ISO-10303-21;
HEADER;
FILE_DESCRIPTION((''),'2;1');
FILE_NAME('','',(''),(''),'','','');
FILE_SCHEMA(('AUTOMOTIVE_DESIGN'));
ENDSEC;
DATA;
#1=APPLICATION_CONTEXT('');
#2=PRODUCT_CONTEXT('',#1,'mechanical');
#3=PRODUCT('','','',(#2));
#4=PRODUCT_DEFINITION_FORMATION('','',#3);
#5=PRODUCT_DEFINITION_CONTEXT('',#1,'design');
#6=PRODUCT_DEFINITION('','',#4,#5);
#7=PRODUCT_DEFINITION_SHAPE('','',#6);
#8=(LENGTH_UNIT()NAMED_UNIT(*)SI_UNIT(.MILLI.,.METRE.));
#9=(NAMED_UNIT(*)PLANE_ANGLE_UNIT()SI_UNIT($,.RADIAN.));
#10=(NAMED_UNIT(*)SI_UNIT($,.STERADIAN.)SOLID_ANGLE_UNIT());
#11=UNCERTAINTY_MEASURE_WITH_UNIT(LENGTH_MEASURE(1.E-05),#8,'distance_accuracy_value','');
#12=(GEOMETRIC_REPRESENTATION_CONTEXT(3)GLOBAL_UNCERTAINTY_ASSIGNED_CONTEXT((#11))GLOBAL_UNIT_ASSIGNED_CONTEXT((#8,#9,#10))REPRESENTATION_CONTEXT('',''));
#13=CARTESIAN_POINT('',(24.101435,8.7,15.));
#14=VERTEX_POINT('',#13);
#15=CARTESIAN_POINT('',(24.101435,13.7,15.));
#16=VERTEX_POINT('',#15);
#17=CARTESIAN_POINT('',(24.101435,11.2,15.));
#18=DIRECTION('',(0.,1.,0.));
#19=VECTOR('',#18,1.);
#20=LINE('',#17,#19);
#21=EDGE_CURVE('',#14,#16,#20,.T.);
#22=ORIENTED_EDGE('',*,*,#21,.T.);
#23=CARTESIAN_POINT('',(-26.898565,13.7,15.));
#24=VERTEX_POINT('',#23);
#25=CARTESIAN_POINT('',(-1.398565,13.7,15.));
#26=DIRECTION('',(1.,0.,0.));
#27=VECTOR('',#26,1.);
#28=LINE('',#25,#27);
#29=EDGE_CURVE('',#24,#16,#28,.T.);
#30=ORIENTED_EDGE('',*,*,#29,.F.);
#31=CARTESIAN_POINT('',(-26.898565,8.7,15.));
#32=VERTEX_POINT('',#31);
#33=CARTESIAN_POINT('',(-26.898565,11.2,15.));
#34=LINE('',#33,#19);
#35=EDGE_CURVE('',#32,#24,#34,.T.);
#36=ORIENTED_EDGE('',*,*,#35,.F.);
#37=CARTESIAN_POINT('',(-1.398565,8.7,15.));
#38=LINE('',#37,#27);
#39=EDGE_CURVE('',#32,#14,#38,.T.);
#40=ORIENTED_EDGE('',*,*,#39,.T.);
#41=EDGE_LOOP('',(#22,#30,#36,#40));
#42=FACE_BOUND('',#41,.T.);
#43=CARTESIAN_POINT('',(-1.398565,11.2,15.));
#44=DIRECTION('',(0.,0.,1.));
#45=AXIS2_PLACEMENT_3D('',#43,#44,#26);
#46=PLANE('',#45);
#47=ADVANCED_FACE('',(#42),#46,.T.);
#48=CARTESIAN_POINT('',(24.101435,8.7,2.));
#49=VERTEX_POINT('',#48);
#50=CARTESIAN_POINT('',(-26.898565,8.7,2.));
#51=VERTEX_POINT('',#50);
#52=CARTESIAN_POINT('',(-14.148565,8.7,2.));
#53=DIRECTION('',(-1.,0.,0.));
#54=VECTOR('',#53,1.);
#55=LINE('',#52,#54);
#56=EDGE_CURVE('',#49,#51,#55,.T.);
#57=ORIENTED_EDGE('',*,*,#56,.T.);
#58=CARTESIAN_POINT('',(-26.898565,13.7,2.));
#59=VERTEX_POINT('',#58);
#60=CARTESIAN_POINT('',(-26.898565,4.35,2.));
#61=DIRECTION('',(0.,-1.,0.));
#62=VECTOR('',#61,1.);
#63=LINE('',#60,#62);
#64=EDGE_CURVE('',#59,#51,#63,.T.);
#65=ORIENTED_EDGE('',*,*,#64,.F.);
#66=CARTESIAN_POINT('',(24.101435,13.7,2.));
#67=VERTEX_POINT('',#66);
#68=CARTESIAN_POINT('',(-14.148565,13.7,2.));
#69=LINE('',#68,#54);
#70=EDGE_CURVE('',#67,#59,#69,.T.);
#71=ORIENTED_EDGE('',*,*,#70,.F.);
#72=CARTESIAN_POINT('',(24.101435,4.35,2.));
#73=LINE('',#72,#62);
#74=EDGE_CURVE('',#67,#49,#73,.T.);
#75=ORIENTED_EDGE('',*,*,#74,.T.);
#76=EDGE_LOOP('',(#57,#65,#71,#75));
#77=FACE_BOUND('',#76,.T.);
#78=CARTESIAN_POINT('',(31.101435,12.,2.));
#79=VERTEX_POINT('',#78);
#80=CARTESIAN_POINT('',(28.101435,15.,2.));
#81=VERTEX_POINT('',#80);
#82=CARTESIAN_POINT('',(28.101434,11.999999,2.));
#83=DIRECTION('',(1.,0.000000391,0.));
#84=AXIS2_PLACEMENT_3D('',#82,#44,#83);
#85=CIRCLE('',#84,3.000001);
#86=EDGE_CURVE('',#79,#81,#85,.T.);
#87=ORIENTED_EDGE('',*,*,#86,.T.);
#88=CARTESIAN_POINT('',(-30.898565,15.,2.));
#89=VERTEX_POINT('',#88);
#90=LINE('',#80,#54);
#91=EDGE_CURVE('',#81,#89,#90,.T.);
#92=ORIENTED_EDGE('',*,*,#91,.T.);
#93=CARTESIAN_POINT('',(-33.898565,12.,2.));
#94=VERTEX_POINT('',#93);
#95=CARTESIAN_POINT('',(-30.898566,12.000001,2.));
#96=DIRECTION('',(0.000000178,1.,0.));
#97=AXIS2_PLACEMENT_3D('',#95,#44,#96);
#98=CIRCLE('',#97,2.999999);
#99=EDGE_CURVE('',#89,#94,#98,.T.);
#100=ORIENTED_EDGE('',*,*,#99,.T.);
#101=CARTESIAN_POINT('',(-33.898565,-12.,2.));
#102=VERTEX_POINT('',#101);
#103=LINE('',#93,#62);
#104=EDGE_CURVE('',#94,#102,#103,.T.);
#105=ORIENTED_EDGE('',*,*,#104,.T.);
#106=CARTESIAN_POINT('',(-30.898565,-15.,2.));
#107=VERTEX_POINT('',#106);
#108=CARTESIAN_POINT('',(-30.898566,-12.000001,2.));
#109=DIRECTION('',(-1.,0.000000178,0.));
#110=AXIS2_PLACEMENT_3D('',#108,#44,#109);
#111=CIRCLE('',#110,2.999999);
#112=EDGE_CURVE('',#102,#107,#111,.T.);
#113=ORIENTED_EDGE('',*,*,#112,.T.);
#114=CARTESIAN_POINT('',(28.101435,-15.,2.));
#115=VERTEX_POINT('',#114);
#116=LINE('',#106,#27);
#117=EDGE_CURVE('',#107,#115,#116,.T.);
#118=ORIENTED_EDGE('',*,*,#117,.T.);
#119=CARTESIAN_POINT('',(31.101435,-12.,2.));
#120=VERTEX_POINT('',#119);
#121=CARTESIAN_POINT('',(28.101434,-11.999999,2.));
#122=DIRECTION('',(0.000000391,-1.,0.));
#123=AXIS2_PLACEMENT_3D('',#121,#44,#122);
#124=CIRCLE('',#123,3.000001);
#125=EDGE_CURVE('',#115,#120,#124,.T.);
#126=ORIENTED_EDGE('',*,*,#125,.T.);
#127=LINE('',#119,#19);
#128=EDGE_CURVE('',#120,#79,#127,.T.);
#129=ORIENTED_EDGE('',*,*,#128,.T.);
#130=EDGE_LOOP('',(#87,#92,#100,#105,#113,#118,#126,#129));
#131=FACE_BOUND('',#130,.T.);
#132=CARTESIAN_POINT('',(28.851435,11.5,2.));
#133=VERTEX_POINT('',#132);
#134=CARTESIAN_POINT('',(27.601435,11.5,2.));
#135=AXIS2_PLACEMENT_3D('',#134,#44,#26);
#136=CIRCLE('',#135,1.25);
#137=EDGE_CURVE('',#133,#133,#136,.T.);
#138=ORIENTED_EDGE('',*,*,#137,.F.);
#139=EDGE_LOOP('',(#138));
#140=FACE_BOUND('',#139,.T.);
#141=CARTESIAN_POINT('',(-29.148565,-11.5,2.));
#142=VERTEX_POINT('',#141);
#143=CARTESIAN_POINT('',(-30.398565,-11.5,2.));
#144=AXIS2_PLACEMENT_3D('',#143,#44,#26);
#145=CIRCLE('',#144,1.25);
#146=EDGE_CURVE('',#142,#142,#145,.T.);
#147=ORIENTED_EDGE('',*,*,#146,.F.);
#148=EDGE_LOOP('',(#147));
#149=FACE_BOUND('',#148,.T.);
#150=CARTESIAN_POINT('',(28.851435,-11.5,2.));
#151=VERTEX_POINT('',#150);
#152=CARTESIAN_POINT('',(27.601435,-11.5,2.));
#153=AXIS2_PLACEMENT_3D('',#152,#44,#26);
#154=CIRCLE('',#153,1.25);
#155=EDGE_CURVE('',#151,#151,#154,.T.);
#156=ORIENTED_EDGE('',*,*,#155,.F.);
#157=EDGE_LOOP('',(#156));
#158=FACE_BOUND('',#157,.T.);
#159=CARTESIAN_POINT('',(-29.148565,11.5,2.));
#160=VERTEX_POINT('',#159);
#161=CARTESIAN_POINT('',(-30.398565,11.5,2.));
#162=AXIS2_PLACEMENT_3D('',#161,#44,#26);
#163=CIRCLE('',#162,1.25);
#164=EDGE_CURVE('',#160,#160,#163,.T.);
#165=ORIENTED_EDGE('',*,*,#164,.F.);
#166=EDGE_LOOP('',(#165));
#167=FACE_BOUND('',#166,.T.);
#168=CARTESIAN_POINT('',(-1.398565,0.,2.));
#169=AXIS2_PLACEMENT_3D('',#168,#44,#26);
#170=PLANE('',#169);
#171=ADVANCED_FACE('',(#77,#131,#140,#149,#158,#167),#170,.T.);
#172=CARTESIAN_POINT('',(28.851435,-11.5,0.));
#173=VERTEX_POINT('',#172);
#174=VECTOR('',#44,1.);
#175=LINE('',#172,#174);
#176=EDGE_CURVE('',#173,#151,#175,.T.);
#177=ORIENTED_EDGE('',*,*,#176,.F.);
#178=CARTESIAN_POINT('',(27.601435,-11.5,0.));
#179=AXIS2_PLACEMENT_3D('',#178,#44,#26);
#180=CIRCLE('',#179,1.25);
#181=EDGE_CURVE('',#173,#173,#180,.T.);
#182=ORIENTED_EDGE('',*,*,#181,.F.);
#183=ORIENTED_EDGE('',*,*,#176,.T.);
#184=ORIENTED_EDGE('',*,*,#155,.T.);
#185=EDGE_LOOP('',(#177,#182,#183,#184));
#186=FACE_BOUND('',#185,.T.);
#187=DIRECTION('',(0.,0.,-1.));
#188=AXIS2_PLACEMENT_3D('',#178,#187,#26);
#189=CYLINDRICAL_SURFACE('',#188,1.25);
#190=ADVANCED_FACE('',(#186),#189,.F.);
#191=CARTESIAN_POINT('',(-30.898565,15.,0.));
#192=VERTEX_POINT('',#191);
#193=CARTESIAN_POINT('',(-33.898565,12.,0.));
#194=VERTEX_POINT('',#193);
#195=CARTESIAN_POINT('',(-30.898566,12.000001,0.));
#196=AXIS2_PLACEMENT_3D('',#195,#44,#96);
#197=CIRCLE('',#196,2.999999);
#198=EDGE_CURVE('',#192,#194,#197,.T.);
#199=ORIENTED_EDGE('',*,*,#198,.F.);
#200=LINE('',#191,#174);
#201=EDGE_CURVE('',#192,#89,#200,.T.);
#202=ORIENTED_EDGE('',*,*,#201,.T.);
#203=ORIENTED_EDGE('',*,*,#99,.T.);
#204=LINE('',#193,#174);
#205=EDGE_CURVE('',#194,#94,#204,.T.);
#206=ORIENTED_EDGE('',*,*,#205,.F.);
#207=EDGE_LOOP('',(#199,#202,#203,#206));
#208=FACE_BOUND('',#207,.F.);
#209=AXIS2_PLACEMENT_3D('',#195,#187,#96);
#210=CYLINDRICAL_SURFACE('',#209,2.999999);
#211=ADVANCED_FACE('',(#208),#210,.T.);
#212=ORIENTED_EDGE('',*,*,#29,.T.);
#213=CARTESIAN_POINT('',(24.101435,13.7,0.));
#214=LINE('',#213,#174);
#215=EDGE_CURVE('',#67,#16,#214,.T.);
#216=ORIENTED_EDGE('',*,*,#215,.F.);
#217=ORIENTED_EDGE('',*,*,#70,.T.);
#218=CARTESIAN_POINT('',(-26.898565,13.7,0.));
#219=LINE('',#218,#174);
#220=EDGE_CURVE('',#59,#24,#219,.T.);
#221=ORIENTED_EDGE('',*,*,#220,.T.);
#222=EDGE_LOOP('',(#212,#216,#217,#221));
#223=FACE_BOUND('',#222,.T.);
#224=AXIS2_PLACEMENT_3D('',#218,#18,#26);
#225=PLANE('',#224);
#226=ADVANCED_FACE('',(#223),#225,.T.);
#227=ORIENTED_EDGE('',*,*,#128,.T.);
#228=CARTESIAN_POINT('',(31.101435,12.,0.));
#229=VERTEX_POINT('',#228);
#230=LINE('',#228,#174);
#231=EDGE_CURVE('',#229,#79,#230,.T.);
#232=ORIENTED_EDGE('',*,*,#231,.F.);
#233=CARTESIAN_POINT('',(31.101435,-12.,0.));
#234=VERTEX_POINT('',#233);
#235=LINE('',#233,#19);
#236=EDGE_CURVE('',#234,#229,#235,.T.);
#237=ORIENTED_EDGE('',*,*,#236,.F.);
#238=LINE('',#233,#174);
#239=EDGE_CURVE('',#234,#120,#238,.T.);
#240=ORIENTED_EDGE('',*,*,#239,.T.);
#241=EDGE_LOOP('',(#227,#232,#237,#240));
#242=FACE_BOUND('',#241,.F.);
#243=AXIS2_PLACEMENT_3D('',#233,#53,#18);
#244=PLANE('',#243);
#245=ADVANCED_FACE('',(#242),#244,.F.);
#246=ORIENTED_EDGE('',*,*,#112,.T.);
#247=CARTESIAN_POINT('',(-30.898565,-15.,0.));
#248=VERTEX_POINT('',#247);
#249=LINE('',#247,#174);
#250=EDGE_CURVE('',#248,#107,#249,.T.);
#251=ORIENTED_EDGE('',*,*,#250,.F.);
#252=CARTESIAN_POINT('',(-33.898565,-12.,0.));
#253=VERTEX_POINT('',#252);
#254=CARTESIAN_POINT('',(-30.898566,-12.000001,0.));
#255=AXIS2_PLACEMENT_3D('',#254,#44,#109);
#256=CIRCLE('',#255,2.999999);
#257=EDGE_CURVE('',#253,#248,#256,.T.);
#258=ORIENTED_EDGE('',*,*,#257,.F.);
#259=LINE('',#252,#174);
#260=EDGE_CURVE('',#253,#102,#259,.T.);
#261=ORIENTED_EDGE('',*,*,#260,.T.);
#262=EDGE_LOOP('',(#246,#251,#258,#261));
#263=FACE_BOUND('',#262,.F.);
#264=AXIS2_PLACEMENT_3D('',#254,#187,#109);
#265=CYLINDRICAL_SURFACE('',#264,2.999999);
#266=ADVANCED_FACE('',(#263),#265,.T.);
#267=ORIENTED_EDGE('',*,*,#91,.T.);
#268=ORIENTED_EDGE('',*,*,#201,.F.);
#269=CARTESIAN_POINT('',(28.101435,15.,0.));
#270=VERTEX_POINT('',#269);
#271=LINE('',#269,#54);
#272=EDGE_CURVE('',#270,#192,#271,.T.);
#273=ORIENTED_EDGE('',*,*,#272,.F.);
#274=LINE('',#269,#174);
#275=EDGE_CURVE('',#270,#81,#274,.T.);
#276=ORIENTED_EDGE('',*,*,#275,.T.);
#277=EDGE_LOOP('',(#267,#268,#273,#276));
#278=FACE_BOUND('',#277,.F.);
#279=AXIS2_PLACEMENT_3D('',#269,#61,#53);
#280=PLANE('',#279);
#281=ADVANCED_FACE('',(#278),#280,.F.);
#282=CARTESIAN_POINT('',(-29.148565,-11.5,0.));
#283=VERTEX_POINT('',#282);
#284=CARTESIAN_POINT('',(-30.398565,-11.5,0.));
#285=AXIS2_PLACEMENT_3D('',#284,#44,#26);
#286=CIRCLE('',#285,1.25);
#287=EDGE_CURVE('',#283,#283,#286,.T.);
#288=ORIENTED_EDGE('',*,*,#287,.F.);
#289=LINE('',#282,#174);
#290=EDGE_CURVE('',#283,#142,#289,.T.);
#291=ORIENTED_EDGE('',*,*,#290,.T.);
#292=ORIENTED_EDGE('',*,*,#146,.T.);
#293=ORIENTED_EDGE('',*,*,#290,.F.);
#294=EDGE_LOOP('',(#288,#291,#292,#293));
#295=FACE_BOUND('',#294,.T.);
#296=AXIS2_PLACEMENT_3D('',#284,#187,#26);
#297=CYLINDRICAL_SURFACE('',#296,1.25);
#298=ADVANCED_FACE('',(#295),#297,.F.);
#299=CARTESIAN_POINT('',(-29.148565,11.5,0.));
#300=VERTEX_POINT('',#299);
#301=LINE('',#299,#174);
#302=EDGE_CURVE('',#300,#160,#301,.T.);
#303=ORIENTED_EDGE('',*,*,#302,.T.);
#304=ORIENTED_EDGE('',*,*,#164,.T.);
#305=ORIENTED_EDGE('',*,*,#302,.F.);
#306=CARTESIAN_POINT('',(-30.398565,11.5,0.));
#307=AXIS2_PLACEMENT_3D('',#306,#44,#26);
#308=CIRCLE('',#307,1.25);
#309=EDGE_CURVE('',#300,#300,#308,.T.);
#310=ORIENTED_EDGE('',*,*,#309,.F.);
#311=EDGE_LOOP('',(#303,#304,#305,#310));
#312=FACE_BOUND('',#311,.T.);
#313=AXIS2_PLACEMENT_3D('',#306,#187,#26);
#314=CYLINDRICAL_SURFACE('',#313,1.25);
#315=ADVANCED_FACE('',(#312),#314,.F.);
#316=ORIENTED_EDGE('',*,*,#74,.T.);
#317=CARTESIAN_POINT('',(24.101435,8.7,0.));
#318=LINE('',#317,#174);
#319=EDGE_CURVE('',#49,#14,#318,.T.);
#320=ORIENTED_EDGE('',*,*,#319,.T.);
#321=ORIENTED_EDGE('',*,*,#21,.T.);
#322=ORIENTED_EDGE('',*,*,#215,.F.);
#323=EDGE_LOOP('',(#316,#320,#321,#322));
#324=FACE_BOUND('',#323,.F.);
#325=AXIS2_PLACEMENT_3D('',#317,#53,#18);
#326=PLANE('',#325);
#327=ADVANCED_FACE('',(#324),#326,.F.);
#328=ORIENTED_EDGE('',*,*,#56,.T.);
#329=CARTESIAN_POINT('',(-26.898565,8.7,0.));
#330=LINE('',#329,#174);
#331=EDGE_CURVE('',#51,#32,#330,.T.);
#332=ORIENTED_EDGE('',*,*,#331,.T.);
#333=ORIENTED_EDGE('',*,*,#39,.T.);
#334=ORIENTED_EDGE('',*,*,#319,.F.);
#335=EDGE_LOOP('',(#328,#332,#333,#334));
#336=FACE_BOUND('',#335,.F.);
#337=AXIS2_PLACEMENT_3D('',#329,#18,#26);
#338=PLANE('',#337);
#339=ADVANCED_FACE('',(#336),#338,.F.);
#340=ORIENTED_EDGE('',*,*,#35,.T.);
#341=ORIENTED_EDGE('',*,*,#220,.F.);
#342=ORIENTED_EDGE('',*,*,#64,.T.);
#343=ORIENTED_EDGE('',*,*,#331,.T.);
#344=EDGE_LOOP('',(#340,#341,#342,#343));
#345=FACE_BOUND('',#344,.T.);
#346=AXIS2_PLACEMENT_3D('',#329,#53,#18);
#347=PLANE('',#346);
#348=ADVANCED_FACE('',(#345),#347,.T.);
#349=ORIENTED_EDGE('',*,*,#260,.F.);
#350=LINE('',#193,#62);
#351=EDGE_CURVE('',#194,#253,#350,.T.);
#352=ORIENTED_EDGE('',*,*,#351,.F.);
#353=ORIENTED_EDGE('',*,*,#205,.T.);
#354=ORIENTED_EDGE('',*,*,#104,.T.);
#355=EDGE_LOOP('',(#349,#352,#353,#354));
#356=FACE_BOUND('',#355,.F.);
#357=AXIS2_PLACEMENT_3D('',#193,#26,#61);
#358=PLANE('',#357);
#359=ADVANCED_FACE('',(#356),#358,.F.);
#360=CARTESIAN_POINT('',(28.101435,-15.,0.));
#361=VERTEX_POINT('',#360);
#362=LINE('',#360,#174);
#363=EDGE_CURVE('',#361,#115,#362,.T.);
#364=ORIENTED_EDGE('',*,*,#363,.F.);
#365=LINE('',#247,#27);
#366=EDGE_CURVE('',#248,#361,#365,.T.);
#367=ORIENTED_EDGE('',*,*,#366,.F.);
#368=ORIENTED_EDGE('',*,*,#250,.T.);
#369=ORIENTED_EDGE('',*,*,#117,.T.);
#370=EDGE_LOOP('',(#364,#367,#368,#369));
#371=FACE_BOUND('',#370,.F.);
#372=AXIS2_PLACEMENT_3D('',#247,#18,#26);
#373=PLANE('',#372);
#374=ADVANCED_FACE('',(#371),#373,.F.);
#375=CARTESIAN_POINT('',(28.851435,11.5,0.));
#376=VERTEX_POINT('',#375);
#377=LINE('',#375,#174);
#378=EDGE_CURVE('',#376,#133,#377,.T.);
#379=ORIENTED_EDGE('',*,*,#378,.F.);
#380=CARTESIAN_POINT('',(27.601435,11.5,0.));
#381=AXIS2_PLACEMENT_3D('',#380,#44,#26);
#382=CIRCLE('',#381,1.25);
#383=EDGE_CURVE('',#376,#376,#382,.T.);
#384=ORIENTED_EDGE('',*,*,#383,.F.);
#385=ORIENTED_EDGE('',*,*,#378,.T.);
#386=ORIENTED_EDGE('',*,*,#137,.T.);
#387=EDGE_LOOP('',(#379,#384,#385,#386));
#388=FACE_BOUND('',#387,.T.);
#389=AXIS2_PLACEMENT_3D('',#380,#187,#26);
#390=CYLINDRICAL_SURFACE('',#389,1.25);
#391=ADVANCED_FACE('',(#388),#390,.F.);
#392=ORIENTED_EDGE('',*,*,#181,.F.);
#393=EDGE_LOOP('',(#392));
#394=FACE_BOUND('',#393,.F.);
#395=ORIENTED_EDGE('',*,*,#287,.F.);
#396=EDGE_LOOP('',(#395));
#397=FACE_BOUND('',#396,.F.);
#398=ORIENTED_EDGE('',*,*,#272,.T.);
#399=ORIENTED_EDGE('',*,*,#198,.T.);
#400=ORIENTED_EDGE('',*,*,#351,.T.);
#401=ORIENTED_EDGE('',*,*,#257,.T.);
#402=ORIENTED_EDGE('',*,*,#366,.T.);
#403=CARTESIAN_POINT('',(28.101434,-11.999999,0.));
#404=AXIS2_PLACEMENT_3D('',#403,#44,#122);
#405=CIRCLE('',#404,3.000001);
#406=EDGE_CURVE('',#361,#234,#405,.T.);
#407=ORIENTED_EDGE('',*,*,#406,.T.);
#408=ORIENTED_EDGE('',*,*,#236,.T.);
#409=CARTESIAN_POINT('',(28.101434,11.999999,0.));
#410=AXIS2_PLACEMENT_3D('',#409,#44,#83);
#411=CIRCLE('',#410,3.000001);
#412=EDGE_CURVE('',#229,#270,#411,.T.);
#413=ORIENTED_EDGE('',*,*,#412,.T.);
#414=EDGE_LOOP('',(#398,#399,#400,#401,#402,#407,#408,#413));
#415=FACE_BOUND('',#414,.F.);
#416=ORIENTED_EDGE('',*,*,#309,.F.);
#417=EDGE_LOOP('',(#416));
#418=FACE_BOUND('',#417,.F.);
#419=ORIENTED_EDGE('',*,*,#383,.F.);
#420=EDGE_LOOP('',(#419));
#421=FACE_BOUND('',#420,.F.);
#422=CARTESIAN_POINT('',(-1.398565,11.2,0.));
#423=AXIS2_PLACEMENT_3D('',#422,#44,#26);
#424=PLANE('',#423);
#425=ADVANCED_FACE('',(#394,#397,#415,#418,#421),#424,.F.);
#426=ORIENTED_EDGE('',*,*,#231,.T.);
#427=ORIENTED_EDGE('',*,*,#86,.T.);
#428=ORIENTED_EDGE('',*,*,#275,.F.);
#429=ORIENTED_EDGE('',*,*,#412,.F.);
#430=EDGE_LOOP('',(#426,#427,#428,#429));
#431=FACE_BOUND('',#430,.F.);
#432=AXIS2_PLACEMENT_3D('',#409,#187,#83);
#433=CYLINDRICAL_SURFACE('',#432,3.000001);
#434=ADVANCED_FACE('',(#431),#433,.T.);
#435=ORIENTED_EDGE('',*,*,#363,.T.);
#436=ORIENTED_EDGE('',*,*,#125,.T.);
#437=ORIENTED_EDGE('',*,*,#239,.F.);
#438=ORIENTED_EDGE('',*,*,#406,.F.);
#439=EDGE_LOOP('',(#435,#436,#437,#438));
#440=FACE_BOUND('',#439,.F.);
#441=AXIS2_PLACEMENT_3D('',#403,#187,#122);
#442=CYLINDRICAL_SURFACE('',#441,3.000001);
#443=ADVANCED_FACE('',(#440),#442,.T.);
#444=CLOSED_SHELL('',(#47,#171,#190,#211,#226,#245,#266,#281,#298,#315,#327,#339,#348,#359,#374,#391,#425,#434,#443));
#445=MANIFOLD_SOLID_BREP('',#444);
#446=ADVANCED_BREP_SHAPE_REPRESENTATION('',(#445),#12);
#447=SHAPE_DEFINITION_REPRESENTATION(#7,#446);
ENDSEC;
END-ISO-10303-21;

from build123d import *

# Parameters (mm, degrees)
F0_R     = 1.25
F0_W     = 51
F0_H     = 5
F1_DEPTH = 2
F2_DEPTH = 15


with BuildPart() as f1:
    # F0 (on Top) → F1 (new body)
    with BuildSketch(Plane.XY):
        with BuildLine():
            ThreePointArc((31.101435, 12), (30.222755, 14.12132), (28.101435, 15))
            Line((28.101435, 15), (-30.898565, 15))
            ThreePointArc((-30.898565, 15), (-33.019886, 14.12132), (-33.898565, 12))
            Line((-33.898565, 12), (-33.898565, -12))
            ThreePointArc((-33.898565, -12), (-33.019886, -14.12132), (-30.898565, -15))
            Line((-30.898565, -15), (28.101435, -15))
            ThreePointArc((28.101435, -15), (30.222755, -14.12132), (31.101435, -12))
            Line((31.101435, -12), (31.101435, 12))
        make_face()
        with Locations((-30.398565, -11.5)):
            Circle(F0_R, mode=Mode.SUBTRACT)
        with Locations((27.601435, -11.5)):
            Circle(F0_R, mode=Mode.SUBTRACT)
        with Locations((-30.398565, 11.5)):
            Circle(F0_R, mode=Mode.SUBTRACT)
        with Locations((-1.398565, 11.2)):
            Rectangle(F0_W, F0_H, mode=Mode.SUBTRACT)
        with Locations((27.601435, 11.5)):
            Circle(F0_R, mode=Mode.SUBTRACT)
        with Locations((-1.398565, 11.2)):
            Rectangle(F0_W, F0_H)
    extrude(amount=F1_DEPTH)

    # F0 (on Top) → F2 (join)
    with BuildSketch(Plane.XY):
        with Locations((-1.398565, 11.2)):
            Rectangle(F0_W, F0_H)
    extrude(amount=F2_DEPTH)


solid = f1.part
